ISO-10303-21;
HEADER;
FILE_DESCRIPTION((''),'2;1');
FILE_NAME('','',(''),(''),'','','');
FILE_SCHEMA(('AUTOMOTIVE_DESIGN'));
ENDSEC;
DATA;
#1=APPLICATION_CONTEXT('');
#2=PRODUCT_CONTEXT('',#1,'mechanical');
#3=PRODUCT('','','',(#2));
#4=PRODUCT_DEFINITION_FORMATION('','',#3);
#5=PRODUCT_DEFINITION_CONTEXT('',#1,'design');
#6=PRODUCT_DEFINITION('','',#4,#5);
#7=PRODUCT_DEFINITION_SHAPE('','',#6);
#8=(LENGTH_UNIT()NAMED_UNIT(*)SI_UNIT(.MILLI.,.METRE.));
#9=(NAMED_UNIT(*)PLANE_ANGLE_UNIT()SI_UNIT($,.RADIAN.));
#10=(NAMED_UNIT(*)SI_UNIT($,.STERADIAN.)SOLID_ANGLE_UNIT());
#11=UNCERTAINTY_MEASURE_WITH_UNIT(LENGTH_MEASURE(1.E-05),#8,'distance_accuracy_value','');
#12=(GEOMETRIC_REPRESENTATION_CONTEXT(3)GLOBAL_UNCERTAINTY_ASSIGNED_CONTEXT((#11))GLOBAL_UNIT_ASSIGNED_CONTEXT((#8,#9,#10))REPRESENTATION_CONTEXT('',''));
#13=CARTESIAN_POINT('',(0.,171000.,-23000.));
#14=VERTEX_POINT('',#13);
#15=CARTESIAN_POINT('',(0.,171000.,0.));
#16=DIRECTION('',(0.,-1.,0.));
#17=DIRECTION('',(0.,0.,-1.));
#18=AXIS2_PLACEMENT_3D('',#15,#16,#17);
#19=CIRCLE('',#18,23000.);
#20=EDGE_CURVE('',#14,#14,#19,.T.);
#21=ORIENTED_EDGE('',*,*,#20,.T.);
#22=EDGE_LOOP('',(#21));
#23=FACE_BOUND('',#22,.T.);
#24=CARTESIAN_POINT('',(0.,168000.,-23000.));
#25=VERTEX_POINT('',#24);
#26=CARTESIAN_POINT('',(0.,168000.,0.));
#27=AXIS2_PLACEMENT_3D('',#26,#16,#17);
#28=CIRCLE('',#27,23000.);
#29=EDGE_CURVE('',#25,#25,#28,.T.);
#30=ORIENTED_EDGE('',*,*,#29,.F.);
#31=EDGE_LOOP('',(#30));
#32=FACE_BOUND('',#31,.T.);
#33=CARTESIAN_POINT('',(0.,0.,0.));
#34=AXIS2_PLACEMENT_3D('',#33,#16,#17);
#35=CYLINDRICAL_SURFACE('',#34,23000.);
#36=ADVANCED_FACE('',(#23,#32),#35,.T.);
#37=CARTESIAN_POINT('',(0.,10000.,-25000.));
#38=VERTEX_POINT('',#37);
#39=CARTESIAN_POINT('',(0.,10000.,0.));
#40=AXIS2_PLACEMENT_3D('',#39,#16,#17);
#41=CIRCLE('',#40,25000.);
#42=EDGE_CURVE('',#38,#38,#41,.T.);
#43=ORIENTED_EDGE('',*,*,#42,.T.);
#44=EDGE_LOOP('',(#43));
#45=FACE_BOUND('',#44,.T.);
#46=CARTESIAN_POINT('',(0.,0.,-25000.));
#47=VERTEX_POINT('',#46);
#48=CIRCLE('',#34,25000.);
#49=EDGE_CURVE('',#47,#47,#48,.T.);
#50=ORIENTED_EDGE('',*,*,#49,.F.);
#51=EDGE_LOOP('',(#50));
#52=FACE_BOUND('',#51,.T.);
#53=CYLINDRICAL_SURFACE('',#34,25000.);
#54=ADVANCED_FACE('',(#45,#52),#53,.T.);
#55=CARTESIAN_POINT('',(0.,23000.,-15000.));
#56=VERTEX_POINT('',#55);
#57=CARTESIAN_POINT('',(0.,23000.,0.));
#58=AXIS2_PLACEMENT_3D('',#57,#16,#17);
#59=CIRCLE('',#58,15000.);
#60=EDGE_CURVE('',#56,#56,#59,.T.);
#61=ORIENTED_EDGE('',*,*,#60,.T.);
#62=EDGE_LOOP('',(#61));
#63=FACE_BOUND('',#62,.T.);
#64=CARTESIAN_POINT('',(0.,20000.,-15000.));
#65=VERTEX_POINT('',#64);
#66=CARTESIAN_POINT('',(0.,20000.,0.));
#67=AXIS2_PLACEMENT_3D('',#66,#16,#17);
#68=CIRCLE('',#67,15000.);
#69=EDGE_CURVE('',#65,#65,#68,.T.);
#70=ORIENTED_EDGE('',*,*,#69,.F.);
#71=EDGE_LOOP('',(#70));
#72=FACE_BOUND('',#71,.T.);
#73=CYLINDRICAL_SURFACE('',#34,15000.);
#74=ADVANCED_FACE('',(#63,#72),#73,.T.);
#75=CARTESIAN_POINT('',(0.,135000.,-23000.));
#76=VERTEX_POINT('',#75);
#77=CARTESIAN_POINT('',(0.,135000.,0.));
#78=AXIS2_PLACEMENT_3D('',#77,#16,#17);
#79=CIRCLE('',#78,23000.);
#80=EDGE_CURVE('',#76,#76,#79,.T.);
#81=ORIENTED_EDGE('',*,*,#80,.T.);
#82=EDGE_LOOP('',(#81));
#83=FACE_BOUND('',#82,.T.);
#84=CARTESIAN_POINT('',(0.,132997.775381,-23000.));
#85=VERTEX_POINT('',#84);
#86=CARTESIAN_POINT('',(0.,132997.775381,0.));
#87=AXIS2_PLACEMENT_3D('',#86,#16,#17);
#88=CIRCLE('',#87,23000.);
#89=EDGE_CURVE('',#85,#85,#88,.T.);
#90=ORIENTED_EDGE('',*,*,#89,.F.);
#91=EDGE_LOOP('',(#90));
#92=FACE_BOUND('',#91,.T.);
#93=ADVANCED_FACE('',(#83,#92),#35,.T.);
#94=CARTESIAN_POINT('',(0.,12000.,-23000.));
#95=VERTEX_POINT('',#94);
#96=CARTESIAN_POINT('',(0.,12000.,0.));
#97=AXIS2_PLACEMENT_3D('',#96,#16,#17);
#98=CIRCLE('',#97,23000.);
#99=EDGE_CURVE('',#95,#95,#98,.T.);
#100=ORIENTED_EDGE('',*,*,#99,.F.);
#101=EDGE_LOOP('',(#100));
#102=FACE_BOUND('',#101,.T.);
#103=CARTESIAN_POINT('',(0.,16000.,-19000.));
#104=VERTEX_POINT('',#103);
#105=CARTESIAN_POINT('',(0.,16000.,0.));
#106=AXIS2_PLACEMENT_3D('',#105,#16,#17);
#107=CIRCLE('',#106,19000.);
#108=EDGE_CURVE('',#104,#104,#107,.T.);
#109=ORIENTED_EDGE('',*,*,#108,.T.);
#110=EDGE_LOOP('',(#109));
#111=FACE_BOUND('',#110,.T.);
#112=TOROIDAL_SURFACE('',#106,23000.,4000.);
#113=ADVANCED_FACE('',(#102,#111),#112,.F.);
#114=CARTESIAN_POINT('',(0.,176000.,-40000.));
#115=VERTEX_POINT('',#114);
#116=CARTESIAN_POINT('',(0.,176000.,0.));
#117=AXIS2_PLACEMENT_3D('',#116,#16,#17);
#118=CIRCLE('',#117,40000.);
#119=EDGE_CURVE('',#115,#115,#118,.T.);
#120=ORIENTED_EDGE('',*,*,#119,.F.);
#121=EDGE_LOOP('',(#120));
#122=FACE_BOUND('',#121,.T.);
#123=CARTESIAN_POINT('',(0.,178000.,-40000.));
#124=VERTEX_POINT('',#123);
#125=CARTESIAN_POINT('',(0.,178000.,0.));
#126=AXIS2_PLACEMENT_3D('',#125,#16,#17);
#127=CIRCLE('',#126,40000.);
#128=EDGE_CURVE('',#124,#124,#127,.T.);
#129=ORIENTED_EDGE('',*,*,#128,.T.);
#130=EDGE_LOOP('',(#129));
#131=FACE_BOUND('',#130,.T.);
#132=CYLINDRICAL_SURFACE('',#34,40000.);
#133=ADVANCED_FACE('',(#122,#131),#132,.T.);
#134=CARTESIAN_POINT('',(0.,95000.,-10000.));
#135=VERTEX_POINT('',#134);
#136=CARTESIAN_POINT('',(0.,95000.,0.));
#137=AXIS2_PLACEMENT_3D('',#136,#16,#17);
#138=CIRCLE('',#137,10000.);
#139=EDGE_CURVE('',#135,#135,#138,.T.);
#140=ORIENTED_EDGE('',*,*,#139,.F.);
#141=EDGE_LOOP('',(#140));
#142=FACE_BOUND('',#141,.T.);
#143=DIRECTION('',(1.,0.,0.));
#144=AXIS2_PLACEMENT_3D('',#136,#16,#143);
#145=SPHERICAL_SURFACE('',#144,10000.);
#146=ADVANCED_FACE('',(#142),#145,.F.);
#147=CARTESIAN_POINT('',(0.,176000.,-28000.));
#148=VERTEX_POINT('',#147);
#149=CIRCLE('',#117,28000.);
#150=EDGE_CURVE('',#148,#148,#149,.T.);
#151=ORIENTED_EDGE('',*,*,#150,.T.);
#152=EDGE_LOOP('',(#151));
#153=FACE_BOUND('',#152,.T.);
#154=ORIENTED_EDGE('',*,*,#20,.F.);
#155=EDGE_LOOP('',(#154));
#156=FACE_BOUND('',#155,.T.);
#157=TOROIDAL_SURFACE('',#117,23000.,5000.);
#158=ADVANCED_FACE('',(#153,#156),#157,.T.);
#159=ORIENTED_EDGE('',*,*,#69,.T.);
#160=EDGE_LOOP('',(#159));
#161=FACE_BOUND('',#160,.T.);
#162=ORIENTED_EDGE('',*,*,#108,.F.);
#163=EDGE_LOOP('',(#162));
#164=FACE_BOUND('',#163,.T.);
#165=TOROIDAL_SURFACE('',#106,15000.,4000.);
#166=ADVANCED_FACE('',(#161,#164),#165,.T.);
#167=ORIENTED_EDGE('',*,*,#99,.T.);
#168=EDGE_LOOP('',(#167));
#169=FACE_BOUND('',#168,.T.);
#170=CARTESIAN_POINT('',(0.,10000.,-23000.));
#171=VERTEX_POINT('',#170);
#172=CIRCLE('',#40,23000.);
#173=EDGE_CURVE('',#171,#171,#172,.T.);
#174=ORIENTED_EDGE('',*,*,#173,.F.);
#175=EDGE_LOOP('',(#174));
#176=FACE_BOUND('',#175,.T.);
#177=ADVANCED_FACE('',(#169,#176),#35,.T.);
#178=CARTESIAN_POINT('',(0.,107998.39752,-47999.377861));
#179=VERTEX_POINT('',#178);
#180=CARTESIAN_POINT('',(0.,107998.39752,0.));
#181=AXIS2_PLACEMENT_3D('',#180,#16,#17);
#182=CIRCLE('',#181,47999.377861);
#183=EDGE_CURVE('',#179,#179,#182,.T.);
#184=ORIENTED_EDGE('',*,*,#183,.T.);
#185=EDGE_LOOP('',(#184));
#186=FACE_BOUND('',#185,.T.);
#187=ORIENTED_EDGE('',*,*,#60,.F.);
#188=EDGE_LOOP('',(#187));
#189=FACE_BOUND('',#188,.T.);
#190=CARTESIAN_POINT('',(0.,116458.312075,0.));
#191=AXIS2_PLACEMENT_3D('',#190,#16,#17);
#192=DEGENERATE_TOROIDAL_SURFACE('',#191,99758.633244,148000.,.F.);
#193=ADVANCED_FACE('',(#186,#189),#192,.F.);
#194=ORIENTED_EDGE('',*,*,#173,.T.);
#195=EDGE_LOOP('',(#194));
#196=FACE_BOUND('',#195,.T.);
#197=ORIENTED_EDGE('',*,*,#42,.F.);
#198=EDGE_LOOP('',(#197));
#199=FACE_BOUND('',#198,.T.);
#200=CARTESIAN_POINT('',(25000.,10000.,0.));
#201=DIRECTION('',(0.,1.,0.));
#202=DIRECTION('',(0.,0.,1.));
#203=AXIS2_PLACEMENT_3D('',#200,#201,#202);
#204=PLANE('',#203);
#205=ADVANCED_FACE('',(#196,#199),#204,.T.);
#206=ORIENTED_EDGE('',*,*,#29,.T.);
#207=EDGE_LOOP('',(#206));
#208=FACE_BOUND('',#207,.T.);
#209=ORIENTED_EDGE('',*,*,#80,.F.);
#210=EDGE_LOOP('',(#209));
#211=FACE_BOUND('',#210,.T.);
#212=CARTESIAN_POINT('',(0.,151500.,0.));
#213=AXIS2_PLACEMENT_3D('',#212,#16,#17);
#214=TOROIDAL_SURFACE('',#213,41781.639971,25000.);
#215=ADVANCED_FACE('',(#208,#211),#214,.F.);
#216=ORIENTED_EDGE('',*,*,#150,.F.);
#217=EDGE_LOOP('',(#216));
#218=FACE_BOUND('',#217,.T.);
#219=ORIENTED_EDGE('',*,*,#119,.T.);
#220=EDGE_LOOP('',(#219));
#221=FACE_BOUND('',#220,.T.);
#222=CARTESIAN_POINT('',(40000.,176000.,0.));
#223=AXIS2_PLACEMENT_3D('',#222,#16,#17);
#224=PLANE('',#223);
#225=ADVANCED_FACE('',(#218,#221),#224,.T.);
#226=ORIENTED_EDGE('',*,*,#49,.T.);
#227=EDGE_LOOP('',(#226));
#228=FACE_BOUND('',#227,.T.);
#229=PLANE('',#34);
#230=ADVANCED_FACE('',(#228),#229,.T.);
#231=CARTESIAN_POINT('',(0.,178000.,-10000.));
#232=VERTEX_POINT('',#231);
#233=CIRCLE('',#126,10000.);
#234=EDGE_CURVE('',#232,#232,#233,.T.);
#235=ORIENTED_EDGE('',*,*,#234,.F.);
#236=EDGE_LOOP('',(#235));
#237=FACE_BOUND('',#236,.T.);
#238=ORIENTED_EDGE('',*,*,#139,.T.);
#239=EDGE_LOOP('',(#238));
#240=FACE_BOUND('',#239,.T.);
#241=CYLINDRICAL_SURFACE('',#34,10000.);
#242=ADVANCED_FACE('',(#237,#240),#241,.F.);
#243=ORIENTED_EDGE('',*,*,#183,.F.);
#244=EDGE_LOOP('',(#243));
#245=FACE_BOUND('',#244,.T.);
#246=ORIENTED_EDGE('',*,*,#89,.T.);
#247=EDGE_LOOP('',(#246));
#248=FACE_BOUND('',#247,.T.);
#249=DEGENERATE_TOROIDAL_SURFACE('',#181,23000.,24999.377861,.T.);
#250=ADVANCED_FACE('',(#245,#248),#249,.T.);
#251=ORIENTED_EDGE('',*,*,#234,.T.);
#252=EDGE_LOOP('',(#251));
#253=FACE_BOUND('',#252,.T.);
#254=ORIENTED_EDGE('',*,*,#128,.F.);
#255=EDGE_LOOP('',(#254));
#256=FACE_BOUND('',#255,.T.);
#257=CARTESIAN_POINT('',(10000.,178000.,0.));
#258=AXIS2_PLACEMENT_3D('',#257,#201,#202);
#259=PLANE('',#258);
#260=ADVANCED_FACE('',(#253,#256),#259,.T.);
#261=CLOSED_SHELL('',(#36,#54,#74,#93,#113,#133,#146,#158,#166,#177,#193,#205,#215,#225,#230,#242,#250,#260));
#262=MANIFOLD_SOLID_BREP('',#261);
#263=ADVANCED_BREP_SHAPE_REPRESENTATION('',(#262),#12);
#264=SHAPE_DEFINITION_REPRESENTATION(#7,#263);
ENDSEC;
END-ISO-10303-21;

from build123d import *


with BuildPart() as part:
    # Sketch1 → Revolve1 (revolve)
    with BuildSketch(Plane.XY):
        with BuildLine():
            Line((0, 0), (25000, 0))
            Line((25000, 0), (25000, 10000))
            Line((25000, 10000), (23000, 10000))
            Line((23000, 10000), (23000, 12000))
            ThreePointArc((23000, 12000), (20171.572875254, 13171.572875254), (19000, 16000))
            ThreePointArc((19000, 16000), (17828.427124746, 18828.427124746), (15000, 20000))
            Line((15000, 20000), (15000, 23000))
            ThreePointArc((15000, 23000), (38208.497027298, 62894.602675502), (47999.37786084, 107998.397520345))
            ThreePointArc((47999.37786084, 107998.397520345), (40677.229610845, 125675.627131189), (23000, 132997.775381184))
            Line((23000, 132997.775381184), (23000, 135000))
            ThreePointArc((23000, 135000), (16781.639970993, 151500), (23000, 168000))
            Line((23000, 168000), (23000, 171000))
            ThreePointArc((23000, 171000), (26535.533905933, 172464.466094067), (28000, 176000))
            Line((28000, 176000), (40000, 176000))
            Line((40000, 176000), (40000, 178000))
            Line((40000, 178000), (10000, 178000))
            Line((10000, 178000), (10000, 95000))
            ThreePointArc((10000, 95000), (7071.067811865, 87928.932188135), (0, 85000))
            Line((0, 85000), (0, 0))
        make_face()
    revolve(axis=Axis((0, 0, 0), (0, 1, 0)))


solid = part.part
